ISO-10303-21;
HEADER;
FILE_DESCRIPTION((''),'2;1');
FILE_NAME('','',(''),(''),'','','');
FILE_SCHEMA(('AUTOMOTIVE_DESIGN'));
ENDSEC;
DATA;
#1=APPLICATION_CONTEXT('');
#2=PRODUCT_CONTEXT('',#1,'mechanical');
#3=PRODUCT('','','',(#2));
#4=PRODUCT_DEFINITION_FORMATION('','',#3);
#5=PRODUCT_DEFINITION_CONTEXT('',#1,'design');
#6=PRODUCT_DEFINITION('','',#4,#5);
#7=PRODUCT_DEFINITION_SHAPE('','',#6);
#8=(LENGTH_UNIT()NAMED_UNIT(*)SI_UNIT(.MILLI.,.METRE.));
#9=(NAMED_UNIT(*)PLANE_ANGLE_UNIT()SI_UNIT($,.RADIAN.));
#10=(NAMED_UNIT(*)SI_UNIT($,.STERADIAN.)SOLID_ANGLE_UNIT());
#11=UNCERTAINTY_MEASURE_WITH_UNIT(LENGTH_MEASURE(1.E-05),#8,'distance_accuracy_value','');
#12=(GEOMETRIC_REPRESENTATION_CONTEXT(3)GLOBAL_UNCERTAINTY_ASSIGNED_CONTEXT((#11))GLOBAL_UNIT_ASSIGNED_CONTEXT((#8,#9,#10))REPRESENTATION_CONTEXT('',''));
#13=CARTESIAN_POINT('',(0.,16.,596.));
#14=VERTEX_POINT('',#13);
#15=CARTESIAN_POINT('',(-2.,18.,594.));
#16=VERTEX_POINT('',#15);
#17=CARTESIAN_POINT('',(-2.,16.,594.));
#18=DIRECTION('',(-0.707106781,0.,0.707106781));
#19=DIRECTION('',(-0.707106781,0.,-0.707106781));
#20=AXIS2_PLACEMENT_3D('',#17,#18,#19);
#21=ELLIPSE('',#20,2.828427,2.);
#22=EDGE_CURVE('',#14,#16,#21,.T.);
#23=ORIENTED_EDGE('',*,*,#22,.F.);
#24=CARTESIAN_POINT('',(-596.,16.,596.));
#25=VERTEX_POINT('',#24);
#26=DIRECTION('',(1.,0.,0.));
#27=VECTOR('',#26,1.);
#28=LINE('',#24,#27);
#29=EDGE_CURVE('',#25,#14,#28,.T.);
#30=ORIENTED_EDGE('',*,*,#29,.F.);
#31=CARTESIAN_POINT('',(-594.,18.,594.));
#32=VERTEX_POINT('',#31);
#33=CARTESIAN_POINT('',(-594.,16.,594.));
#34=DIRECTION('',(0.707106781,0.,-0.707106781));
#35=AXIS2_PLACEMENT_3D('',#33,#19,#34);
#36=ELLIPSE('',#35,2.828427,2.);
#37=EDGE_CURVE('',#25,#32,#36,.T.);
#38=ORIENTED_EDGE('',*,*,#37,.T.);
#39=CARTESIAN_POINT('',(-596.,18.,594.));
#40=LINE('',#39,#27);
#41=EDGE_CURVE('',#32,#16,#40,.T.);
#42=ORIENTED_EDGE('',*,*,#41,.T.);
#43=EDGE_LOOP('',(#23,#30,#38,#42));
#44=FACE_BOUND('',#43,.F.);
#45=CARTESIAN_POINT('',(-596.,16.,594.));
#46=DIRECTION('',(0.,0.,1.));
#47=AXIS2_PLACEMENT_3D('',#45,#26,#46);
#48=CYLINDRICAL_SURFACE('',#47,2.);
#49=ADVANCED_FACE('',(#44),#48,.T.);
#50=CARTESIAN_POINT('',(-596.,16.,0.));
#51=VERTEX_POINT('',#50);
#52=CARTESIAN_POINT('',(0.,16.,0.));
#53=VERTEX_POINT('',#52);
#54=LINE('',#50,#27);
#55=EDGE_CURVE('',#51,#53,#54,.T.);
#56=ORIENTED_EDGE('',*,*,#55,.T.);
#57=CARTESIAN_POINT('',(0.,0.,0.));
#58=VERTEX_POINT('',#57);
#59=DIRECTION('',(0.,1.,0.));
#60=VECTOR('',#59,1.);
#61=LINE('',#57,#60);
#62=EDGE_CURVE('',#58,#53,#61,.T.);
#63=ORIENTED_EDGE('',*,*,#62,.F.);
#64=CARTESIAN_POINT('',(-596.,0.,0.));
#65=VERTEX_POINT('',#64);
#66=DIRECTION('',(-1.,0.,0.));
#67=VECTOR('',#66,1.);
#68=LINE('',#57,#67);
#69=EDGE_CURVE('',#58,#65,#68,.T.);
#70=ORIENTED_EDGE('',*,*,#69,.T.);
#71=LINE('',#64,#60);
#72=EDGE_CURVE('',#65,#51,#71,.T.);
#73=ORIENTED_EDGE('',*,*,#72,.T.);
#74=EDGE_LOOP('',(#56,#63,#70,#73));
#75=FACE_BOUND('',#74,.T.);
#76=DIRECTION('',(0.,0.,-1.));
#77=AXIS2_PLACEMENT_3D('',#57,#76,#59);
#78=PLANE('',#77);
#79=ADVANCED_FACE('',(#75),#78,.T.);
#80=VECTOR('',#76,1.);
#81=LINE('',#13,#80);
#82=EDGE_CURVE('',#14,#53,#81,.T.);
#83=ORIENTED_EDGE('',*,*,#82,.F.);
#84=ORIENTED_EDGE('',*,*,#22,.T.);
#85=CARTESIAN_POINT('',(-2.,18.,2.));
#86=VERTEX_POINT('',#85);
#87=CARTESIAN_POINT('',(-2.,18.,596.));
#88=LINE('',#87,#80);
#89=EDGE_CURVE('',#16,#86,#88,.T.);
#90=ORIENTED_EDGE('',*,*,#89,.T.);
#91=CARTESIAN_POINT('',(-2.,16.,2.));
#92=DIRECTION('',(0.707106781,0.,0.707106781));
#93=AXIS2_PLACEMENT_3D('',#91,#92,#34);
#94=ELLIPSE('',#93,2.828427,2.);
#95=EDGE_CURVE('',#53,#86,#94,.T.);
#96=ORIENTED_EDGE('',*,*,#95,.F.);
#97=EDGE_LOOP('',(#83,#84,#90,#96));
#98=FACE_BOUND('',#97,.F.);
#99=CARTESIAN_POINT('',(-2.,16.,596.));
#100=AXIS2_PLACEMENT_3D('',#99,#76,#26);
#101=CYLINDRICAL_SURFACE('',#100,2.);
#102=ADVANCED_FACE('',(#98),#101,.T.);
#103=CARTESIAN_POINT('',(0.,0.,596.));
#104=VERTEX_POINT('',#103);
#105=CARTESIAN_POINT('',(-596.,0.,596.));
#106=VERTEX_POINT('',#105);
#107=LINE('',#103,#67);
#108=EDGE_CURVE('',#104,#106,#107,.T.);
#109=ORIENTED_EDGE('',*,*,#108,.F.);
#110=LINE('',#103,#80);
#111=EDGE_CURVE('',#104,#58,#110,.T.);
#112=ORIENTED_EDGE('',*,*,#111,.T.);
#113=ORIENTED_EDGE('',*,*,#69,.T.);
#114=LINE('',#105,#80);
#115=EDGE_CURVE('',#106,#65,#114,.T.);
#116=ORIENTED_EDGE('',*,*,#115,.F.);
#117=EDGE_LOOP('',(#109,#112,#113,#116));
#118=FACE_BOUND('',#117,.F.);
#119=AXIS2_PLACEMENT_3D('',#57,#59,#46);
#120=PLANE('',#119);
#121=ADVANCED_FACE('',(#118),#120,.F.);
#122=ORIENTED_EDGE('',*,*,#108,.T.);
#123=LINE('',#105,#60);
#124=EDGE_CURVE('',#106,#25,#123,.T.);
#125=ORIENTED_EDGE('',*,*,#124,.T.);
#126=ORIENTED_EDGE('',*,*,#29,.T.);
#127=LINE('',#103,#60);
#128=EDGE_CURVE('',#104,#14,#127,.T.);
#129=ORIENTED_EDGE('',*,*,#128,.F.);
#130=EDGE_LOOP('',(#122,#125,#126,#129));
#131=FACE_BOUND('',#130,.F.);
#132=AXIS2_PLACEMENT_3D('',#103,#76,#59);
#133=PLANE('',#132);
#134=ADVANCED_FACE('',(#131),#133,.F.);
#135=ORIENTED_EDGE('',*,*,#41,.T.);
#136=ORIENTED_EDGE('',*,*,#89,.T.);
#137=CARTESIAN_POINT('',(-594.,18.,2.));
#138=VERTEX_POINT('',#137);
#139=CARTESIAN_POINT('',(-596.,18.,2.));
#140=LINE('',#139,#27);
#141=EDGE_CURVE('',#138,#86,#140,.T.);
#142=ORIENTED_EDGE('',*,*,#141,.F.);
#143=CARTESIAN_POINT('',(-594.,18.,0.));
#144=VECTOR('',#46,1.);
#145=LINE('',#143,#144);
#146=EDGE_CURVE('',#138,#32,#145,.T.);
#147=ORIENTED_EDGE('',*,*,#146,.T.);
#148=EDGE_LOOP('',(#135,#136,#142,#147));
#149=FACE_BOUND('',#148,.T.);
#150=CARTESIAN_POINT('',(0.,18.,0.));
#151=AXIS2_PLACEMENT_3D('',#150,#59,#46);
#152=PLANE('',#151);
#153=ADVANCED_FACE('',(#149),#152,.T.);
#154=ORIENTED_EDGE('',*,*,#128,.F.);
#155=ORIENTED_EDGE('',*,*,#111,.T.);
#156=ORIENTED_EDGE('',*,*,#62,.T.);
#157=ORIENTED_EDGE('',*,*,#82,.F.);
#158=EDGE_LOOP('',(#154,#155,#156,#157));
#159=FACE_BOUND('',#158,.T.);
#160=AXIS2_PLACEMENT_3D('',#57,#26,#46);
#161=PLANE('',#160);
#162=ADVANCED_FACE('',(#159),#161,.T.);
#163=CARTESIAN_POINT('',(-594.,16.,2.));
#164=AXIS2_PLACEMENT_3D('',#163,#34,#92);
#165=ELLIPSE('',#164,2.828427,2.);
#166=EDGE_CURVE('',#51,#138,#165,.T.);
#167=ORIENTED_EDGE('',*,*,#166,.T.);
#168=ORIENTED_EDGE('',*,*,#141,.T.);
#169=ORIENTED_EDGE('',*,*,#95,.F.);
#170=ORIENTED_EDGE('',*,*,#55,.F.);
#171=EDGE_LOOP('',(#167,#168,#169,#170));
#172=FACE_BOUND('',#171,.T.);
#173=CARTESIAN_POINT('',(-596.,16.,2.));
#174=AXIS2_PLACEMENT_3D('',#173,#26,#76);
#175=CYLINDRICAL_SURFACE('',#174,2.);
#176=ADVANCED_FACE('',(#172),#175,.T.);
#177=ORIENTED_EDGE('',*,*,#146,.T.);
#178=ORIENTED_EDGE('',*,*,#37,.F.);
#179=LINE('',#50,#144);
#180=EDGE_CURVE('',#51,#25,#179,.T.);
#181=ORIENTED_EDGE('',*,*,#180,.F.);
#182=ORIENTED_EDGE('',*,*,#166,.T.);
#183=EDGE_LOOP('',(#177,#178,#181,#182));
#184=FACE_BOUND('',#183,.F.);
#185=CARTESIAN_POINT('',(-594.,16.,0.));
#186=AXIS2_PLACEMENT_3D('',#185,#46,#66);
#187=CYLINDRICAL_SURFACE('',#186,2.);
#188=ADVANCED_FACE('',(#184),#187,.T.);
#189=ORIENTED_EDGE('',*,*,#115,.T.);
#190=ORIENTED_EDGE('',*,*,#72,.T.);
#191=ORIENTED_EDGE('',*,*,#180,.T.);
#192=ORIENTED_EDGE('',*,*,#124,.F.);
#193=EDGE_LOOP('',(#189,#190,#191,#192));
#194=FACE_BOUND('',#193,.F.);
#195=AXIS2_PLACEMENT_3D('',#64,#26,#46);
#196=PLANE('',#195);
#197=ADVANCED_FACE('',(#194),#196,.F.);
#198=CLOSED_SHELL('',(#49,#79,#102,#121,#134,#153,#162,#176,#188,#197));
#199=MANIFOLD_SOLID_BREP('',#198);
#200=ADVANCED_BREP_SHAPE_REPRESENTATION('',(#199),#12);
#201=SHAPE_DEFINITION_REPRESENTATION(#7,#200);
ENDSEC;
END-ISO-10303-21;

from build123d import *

# Parameters (mm, degrees)
F0_W     = 60.9826296568
F0_H     = 42.9404079914
F1_DEPTH = 18
F2_DEPTH = 596
F3_DEPTH = 596
F4_R     = 2


with BuildPart() as f1:
    # F0 (on Front) → F1 (new body)
    with BuildSketch(Plane.XZ):
        with Locations((-30.4913148284, 21.4702039957)):
            Rectangle(F0_W, F0_H)
    extrude(amount=-F1_DEPTH)

    # F2 (add): a face of the model
    f2_faces = [f1.faces().sort_by_distance(p)[0] for p in [
        (0, 9, 21.4702039957),
    ]]
    extrude(f2_faces, amount=-F2_DEPTH)

    # F3 (add): a face of the model
    f3_faces = [f1.faces().sort_by_distance(p)[0] for p in [
        (-298, 9, 0),
    ]]
    extrude(f3_faces, amount=-F3_DEPTH)

    # F4
    f4_edges = [f1.edges().sort_by_distance(p)[0] for p in [
        (0, 18, 298),
        (-298, 18, 596),
        (-596, 18, 298),
        (-298, 18, 0),
    ]]
    fillet(f4_edges, radius=F4_R)


solid = f1.part
